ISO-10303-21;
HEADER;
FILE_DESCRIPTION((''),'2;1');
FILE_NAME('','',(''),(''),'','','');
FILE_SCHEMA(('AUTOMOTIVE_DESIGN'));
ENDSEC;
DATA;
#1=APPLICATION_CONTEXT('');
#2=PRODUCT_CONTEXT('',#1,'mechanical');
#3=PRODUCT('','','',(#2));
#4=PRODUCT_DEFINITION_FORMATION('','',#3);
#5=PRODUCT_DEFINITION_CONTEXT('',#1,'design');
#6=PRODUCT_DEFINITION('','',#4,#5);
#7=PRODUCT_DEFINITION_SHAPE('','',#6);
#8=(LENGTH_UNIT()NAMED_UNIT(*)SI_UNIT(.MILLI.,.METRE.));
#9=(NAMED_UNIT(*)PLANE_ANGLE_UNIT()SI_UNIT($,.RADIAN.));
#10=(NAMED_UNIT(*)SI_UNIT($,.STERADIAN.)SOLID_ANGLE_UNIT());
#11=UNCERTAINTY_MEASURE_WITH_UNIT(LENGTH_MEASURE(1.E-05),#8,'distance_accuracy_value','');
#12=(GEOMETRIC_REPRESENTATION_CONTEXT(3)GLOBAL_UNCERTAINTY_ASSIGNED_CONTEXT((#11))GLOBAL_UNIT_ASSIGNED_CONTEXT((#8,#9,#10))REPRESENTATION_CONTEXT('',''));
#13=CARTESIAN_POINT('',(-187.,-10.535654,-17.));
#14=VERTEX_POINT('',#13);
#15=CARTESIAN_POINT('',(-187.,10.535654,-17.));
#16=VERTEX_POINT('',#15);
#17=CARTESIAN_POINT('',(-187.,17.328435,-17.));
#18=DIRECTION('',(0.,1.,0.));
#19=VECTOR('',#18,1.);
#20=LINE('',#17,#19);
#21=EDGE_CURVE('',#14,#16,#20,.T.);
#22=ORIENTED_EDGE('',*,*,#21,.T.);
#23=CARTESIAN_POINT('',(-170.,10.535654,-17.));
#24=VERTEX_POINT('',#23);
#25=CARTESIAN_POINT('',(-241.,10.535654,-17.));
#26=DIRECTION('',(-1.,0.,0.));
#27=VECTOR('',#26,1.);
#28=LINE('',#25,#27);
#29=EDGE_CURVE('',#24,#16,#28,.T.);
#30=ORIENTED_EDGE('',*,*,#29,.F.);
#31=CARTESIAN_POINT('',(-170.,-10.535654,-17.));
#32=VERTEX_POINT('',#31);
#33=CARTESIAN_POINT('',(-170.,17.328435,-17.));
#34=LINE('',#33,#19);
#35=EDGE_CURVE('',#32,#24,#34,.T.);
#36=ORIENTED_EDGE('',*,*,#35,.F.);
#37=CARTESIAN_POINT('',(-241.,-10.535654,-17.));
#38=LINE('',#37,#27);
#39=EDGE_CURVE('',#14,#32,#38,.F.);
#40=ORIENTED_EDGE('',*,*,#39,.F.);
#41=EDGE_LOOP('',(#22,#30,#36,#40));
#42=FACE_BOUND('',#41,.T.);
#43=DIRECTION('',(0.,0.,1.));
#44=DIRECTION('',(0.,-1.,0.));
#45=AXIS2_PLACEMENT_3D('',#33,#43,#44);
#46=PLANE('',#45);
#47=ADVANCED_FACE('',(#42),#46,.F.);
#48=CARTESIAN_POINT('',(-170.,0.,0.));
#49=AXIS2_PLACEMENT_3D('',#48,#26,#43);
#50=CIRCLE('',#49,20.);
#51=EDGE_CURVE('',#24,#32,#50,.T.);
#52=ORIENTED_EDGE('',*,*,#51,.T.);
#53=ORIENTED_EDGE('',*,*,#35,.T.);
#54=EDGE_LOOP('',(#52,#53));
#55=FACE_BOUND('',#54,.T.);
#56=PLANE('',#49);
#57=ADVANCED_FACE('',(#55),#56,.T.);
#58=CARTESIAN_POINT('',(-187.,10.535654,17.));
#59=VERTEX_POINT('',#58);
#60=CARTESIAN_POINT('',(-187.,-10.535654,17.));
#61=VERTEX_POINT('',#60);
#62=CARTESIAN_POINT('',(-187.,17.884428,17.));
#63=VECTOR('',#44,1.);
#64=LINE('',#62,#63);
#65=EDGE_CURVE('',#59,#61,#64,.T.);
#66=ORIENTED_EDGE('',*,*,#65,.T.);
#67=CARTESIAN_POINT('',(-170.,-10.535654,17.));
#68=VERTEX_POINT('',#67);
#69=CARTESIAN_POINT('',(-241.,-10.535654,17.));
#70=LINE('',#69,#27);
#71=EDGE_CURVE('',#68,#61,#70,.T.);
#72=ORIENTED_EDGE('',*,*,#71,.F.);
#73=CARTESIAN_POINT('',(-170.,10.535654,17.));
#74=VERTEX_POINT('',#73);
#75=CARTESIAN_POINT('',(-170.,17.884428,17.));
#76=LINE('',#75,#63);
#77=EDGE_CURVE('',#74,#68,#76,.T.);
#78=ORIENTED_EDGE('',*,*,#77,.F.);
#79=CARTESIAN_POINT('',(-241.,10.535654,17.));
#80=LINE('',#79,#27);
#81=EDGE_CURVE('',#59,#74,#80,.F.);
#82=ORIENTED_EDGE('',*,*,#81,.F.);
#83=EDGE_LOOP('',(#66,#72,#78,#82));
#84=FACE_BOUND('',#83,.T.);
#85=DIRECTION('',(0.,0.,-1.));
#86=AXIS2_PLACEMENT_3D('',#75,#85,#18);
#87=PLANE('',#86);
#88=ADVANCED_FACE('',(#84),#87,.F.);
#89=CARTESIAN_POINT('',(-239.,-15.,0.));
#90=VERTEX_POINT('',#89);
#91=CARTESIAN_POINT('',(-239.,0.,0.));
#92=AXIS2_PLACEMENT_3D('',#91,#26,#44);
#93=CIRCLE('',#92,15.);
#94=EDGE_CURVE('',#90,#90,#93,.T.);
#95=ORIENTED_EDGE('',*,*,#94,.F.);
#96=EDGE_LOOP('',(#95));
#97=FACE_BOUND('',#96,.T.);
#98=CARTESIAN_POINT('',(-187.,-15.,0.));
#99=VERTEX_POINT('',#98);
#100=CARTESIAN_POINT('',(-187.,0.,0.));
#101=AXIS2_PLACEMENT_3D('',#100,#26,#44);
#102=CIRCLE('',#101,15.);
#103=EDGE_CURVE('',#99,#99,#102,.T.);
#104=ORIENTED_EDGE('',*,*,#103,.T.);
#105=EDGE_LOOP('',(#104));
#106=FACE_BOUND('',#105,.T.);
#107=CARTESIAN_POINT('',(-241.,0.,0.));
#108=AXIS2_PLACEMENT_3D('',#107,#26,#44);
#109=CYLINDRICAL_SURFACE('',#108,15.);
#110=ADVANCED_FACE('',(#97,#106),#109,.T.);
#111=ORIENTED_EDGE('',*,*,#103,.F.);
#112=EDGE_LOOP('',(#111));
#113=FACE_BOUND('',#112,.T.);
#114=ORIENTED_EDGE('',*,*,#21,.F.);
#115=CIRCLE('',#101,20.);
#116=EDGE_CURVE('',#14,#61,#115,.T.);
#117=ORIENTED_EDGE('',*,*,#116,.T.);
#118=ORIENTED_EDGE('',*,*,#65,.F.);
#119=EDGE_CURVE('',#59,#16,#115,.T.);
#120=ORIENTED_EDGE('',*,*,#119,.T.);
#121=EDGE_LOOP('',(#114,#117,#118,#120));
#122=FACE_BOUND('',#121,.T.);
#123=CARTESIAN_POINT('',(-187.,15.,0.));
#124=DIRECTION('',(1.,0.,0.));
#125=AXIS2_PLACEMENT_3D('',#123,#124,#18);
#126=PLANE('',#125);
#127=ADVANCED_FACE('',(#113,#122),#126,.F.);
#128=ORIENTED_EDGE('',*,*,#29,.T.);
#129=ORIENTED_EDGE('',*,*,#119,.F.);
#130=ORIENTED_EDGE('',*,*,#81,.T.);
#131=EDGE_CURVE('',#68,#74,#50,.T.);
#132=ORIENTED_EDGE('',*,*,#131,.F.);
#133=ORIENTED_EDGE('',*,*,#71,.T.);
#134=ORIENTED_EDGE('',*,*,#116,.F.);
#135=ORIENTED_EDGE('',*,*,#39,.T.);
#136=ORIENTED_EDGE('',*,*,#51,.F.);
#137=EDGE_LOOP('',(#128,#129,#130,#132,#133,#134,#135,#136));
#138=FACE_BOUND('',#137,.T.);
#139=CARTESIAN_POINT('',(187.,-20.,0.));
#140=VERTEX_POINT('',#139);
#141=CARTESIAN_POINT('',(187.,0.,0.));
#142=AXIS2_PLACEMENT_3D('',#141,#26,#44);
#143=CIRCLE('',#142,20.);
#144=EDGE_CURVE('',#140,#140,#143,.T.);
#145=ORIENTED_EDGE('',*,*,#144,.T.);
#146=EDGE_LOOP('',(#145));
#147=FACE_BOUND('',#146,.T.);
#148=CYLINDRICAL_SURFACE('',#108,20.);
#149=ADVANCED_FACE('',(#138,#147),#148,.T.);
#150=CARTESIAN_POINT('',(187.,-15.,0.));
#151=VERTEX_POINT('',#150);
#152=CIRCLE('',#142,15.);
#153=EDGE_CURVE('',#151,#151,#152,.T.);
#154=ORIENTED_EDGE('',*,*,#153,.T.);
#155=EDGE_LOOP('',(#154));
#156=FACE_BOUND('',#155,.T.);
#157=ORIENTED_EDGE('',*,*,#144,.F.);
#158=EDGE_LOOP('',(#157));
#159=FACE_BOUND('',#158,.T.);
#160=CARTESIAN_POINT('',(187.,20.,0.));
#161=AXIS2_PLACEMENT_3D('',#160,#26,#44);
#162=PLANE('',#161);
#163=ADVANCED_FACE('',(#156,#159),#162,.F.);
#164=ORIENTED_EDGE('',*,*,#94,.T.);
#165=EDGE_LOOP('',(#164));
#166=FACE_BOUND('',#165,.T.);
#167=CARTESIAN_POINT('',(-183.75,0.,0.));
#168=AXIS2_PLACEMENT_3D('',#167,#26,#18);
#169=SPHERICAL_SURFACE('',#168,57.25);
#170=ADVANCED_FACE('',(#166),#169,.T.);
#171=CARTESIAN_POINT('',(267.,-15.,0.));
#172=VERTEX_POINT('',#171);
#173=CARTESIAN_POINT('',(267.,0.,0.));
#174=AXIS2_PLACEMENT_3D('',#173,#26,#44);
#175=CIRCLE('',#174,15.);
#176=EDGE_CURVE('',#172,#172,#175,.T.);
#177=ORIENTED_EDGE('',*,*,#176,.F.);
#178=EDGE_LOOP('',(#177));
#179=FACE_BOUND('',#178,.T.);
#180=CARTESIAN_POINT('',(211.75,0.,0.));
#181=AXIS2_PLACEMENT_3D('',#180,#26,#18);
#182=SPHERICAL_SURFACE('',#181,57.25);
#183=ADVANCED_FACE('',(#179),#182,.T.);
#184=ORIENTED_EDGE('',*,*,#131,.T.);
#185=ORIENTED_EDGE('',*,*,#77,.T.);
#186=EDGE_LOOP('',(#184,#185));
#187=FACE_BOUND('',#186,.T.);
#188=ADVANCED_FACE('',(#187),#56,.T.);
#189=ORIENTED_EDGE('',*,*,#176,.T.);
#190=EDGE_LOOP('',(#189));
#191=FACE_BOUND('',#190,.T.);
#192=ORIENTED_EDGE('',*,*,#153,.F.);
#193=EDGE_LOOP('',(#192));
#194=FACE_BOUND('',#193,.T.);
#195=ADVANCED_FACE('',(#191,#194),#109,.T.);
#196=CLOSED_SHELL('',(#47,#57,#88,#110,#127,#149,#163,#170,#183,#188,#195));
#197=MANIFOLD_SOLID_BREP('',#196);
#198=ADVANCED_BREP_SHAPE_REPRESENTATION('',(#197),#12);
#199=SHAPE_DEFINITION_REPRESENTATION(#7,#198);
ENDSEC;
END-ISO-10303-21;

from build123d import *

# Parameters (mm, degrees)
SKETCH2_W          = 13.807149041
SKETCH2_H          = 34.00821274
SKETCH2_W_2        = 8.154557823
SKETCH2_H_2        = 39.290142239
CUT_EXTRUDE1_DEPTH = 17


with BuildPart() as part:
    # Sketch1 → Revolve1 (revolve)
    with BuildSketch(Plane.XY, mode=Mode.PRIVATE) as revolve1_sk:
        with BuildLine():
            Line((-239, 15), (-187, 15))
            Line((-187, 15), (-187, 20))
            Line((-187, 20), (187, 20))
            Line((187, 20), (187, 15))
            Line((187, 15), (267, 15))
            ThreePointArc((267, 15), (268.497797314, 7.566372975), (269, 0))
            Line((269, 0), (-241, 0))
            ThreePointArc((-241, 0), (-240.497797314, 7.566372975), (-239, 15))
        make_face()
    revolve(revolve1_sk.sketch.rotate(Axis((-241, 0, 0), (1, 0, 0)), 180), axis=Axis((-241, 0, 0), (1, 0, 0)))

    # Sketch2 → Cut-Extrude1 (cut)
    with BuildSketch(Plane.ZY.offset(187)):
        with Locations((23.903574521, 0.880321583)):
            Rectangle(SKETCH2_W, SKETCH2_H)
        with Locations((-21.077278912, -2.316635745)):
            Rectangle(SKETCH2_W_2, SKETCH2_H_2)
    extrude(amount=-CUT_EXTRUDE1_DEPTH, mode=Mode.SUBTRACT)


solid = part.part
